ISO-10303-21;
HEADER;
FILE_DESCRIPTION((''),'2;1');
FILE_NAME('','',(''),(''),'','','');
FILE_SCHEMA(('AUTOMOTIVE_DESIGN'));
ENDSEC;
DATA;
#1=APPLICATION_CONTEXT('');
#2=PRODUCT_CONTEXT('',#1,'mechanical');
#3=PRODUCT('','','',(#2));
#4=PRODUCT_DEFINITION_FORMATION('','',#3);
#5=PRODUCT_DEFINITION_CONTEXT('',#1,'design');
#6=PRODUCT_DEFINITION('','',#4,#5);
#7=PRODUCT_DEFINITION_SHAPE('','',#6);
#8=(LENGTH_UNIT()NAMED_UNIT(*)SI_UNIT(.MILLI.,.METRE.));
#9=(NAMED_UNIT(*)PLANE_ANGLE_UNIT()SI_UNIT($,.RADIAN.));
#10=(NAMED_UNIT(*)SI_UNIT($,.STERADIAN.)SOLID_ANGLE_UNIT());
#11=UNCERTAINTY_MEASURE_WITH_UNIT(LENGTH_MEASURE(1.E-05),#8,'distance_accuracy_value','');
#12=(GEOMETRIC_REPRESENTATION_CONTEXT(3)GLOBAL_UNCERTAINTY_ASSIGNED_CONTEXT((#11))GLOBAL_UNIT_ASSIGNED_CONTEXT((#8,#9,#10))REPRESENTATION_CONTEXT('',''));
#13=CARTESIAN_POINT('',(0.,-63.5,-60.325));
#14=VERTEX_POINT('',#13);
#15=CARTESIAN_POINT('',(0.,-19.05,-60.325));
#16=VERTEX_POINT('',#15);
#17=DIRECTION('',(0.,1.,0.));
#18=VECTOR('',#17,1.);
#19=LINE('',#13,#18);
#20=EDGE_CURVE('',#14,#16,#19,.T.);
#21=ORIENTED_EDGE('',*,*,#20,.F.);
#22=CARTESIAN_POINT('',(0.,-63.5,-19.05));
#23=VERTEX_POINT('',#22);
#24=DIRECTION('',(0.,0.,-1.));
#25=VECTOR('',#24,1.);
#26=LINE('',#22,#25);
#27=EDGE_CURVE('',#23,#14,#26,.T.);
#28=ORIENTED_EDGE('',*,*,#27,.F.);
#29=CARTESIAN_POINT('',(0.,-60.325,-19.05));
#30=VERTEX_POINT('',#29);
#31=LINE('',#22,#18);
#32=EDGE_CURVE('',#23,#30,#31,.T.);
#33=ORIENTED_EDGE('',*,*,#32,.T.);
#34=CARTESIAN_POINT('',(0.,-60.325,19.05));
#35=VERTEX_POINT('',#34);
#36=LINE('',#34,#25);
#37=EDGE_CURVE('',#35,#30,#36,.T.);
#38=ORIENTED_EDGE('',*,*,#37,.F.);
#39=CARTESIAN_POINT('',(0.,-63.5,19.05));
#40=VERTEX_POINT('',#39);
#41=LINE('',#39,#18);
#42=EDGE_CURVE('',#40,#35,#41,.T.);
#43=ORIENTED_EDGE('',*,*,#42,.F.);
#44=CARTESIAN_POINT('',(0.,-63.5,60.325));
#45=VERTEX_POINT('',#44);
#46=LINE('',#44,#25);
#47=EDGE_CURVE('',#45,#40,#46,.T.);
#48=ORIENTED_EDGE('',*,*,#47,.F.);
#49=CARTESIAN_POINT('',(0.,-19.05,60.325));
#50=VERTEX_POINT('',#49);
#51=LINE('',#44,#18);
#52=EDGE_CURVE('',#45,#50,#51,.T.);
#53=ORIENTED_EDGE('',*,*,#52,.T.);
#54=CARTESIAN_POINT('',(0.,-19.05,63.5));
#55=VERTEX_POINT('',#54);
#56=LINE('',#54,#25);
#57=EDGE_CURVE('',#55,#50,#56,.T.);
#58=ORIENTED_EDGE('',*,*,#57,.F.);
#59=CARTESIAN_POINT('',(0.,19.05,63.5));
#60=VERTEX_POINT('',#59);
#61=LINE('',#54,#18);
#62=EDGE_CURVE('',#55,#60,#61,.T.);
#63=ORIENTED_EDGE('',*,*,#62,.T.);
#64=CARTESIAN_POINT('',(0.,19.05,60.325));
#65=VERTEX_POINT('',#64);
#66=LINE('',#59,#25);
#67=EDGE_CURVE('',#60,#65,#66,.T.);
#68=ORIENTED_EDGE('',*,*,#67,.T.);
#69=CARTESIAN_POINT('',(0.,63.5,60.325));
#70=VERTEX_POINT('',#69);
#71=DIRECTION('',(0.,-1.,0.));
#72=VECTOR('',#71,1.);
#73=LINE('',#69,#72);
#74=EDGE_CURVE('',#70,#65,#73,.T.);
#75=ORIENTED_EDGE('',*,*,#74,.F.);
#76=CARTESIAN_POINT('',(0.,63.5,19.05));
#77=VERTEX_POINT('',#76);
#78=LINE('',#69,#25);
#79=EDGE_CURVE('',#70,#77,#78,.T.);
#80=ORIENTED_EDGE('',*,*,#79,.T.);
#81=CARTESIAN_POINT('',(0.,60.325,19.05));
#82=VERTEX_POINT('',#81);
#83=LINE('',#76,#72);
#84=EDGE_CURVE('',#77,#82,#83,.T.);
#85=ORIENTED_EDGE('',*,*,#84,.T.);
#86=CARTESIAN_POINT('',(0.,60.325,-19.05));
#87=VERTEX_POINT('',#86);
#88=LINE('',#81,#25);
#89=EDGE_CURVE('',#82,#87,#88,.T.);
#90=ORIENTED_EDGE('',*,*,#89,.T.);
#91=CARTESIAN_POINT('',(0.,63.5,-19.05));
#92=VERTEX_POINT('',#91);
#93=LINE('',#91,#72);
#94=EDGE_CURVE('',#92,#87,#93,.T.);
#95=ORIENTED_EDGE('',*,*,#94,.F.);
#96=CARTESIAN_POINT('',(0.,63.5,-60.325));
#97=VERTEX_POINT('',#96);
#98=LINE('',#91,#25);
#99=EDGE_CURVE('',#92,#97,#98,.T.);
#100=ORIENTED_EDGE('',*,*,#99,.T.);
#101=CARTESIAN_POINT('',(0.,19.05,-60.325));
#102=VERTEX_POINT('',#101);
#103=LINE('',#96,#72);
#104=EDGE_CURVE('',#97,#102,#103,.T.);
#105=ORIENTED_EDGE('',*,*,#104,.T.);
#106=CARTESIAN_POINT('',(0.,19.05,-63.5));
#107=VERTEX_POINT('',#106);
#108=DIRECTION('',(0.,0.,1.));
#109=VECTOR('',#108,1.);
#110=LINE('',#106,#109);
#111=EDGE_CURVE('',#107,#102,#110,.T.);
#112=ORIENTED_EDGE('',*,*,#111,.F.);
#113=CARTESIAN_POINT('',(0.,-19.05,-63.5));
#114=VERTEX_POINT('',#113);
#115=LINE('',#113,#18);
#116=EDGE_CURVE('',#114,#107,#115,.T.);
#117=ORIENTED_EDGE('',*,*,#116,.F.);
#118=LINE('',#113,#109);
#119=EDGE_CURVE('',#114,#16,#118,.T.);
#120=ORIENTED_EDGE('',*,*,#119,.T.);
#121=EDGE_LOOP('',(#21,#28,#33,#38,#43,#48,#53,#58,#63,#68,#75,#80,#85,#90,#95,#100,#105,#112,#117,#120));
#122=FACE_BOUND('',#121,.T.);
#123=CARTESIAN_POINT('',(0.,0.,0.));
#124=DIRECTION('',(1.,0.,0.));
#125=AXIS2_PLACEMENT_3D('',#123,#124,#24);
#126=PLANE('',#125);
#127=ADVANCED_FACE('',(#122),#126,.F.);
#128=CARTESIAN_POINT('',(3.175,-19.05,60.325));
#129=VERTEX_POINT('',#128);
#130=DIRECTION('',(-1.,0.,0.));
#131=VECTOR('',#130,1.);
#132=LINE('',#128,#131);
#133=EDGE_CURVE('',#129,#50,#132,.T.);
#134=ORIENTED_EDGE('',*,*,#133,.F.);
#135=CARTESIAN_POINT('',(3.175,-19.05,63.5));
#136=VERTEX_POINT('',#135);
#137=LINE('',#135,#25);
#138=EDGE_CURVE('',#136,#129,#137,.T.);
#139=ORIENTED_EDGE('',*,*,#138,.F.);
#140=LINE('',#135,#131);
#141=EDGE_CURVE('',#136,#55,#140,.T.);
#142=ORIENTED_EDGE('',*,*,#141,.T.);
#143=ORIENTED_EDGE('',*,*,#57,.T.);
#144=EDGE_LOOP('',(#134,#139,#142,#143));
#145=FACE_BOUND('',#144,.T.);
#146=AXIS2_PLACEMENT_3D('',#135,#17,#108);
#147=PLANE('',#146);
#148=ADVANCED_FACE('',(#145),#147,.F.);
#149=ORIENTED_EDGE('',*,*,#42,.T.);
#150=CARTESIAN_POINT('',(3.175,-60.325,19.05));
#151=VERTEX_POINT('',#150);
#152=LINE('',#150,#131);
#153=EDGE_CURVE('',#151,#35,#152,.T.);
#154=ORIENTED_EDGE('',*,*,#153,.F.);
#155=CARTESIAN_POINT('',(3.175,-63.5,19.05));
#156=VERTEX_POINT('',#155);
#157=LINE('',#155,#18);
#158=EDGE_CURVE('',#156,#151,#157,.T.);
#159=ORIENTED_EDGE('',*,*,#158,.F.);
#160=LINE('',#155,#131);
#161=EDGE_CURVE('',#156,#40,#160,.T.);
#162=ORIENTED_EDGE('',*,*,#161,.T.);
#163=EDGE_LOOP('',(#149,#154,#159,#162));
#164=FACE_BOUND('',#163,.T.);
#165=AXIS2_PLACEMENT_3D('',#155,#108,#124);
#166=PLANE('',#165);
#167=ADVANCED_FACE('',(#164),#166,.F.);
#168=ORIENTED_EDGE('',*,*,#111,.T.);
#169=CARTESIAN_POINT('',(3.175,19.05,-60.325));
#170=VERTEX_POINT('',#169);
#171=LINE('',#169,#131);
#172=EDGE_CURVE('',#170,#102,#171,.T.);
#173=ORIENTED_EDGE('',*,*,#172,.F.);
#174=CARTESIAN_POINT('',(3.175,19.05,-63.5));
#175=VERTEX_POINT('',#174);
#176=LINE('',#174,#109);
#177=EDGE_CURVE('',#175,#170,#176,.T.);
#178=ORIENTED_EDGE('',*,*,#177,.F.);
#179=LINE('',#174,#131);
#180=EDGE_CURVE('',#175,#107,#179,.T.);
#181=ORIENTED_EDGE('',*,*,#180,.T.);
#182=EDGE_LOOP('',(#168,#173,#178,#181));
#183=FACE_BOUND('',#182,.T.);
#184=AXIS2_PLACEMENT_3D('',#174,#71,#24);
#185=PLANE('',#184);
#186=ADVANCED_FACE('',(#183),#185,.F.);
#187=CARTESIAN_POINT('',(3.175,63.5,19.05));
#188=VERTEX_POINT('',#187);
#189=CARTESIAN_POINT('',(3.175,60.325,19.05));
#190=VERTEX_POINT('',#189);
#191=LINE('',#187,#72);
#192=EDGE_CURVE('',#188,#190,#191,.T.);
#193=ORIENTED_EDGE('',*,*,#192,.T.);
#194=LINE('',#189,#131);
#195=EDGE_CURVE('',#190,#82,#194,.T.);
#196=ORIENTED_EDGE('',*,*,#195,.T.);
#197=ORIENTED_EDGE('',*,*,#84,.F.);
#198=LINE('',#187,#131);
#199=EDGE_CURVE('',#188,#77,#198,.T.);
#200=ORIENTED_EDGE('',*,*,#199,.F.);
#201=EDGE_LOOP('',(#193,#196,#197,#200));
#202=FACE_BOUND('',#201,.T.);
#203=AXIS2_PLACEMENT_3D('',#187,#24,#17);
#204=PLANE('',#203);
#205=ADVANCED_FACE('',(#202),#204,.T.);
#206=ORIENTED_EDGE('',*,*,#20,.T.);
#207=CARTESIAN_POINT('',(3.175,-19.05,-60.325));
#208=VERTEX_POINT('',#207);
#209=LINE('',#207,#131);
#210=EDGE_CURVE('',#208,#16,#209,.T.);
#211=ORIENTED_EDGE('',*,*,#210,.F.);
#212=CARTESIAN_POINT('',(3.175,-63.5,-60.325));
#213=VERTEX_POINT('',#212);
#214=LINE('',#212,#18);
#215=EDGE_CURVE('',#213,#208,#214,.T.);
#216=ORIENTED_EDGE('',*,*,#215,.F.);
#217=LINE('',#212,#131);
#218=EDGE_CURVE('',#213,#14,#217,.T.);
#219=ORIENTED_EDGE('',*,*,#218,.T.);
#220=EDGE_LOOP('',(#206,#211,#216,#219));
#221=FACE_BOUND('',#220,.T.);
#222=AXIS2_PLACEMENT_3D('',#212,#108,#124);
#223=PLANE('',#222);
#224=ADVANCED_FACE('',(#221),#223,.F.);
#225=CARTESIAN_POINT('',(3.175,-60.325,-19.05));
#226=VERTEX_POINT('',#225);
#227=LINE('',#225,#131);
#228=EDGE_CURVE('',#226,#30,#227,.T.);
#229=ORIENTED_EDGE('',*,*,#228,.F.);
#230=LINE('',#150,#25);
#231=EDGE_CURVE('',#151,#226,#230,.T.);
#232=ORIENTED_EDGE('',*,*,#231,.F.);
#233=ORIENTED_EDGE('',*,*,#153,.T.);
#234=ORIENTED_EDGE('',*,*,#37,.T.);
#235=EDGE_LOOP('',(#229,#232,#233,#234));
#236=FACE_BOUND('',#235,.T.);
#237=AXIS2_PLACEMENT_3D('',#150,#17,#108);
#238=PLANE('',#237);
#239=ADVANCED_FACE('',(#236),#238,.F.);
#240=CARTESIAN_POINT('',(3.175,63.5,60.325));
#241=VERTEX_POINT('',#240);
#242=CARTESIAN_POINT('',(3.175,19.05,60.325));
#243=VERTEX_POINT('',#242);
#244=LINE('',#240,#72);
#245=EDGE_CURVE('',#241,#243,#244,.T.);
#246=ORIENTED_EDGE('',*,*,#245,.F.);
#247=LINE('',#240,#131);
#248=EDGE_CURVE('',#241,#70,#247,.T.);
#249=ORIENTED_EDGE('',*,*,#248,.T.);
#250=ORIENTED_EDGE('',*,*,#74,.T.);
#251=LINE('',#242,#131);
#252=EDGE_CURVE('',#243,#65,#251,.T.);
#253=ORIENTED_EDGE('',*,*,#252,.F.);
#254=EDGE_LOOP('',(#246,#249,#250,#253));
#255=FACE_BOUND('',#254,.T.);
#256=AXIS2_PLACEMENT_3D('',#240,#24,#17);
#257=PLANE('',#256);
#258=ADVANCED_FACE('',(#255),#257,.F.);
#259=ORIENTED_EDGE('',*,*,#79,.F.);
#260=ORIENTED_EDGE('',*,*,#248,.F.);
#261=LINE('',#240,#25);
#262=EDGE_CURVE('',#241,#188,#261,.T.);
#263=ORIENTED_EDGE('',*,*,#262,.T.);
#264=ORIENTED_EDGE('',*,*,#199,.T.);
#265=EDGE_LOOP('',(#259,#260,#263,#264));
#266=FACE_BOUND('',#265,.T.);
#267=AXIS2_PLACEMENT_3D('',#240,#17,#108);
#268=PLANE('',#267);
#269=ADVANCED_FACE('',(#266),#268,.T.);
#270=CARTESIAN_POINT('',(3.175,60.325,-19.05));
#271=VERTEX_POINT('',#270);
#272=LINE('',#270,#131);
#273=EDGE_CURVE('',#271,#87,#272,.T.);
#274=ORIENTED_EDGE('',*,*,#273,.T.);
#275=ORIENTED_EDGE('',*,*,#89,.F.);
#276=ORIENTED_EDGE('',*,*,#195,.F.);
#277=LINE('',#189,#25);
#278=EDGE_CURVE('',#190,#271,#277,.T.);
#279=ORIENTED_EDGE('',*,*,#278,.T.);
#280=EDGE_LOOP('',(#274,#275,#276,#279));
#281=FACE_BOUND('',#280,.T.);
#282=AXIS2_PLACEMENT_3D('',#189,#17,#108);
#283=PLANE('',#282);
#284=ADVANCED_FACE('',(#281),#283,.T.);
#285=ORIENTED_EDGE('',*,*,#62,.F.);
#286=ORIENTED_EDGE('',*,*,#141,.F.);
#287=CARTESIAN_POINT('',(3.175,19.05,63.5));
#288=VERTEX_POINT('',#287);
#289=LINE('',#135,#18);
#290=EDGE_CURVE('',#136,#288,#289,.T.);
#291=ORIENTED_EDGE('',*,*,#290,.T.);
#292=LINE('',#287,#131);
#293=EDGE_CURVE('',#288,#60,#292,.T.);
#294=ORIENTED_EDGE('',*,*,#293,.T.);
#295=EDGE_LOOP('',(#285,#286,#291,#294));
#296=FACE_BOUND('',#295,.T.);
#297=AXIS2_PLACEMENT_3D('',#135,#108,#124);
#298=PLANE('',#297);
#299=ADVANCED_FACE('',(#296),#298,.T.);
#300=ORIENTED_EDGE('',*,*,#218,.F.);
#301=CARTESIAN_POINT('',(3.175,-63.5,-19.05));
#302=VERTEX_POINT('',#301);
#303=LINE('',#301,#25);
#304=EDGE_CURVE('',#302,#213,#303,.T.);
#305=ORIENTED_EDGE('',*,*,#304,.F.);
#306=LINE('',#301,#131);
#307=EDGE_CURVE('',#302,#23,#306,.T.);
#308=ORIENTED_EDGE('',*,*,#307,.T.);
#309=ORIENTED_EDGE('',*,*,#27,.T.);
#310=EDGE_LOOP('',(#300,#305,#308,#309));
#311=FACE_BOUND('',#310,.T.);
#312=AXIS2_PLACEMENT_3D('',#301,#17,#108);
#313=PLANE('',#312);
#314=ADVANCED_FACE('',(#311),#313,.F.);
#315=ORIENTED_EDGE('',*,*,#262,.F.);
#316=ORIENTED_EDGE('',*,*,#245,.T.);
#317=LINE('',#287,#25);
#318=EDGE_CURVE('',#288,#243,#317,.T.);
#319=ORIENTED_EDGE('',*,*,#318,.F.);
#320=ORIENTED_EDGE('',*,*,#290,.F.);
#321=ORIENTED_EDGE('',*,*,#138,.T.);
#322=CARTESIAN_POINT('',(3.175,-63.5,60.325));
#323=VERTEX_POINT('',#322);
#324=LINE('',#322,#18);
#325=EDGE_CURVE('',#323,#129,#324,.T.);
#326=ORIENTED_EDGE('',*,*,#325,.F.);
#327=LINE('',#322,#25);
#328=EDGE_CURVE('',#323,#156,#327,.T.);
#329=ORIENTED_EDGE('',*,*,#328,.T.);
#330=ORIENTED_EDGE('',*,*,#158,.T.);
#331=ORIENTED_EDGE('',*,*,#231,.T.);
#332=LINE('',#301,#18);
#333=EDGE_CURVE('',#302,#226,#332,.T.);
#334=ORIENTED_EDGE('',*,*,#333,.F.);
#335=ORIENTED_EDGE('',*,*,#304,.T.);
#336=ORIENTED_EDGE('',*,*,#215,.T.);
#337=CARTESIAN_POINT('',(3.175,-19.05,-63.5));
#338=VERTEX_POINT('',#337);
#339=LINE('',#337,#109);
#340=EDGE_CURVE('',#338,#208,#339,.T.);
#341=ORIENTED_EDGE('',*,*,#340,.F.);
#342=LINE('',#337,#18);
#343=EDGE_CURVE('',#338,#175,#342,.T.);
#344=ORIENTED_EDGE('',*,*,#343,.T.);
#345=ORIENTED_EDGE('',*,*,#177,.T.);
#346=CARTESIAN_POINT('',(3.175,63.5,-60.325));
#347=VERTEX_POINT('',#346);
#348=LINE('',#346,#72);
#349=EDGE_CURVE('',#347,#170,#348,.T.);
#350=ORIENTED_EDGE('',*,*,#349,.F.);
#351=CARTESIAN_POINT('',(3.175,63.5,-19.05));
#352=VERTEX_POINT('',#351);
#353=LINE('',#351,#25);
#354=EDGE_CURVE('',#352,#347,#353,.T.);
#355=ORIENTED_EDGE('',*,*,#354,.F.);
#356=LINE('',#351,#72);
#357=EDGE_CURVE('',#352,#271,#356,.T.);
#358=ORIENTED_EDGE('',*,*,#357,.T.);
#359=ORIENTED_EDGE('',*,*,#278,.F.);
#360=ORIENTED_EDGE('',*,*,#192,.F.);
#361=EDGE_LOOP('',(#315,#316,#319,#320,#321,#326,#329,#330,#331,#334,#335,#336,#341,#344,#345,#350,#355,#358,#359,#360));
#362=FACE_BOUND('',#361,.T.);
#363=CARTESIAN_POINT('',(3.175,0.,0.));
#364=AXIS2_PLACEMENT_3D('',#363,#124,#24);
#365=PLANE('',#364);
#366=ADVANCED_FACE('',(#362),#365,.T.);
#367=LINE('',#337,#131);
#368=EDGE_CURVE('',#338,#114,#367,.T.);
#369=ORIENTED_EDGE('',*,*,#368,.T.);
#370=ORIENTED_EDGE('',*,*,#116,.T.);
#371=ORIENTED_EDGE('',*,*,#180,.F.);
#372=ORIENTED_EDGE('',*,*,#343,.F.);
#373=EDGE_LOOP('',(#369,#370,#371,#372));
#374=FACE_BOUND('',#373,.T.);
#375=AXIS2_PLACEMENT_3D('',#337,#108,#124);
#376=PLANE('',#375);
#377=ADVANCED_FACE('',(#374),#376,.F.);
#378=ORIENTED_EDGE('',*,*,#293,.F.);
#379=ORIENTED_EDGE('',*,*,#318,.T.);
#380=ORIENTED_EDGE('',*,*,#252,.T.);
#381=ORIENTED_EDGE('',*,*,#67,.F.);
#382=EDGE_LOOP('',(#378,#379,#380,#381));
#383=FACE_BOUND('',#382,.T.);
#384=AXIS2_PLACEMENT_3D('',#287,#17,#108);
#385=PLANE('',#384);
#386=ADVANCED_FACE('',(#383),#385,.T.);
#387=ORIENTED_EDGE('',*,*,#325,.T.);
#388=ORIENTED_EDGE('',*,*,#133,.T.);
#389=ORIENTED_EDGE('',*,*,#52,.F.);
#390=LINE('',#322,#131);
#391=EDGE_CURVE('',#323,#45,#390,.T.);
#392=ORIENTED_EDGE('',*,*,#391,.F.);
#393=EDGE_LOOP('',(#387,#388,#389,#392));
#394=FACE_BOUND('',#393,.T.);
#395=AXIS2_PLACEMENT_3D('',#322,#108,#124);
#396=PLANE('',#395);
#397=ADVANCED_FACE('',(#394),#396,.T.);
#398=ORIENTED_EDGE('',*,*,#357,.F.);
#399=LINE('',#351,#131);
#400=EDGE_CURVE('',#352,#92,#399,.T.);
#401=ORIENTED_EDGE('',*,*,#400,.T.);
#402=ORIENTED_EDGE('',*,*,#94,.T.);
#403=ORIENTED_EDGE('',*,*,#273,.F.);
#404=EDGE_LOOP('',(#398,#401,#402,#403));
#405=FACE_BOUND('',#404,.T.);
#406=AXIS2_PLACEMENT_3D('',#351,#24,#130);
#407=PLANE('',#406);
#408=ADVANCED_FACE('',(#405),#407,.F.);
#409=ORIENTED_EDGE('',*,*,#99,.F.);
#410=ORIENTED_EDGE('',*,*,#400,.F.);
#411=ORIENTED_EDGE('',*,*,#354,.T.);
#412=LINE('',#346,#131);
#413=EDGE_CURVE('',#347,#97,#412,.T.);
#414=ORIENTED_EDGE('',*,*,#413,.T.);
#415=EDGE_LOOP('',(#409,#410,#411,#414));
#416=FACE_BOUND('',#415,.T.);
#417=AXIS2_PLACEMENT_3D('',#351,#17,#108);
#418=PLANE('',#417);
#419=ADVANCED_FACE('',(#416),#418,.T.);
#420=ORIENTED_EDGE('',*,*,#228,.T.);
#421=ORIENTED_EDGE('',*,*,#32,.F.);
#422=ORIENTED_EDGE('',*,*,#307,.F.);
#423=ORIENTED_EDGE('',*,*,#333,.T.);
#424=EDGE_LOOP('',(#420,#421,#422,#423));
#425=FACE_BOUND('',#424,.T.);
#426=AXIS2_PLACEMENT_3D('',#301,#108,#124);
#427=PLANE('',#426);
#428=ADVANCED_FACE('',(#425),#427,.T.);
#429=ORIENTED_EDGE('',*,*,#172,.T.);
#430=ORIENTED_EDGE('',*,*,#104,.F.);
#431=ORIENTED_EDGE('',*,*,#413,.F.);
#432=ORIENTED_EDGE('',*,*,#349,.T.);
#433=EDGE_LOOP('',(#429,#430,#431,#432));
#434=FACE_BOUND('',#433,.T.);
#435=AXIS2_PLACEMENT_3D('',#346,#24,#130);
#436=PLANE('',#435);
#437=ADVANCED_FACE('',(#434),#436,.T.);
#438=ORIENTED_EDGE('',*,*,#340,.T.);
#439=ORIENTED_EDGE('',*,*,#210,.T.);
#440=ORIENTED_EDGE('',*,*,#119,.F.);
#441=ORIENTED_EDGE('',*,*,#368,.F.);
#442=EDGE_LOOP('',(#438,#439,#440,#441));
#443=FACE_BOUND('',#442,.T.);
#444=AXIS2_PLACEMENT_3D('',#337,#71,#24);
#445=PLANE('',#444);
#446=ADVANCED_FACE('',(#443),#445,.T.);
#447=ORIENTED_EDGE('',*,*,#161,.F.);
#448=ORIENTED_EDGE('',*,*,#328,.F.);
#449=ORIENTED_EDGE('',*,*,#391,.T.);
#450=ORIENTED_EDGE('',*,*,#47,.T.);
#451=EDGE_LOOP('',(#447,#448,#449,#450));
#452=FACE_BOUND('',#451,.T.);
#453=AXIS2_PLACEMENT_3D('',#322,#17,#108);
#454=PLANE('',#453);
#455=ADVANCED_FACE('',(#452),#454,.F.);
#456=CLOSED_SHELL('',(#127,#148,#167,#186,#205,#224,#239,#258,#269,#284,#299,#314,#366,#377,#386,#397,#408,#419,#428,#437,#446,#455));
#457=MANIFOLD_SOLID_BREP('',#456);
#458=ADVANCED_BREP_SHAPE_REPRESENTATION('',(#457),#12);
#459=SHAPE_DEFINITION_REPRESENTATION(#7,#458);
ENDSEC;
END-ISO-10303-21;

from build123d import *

# Parameters (mm, degrees)
BOSS_EXTRUDE1_DEPTH = 3.175


with BuildPart() as part:
    # Sketch1 → Boss-Extrude1 (new body)
    with BuildSketch(Plane(origin=(0, 0, 0), x_dir=(0, 0, -1), z_dir=(1, 0, 0))):
        Polygon((19.05, 63.5), (60.325, 63.5), (60.325, 19.05), (63.5, 19.05), (63.5, -19.05), (60.325, -19.05), (60.325, -63.5), (19.05, -63.5), (19.05, -60.325), (-19.05, -60.325), (-19.05, -63.5), (-60.325, -63.5), (-60.325, -19.05), (-63.5, -19.05), (-63.5, 19.05), (-60.325, 19.05), (-60.325, 63.5), (-19.05, 63.5), (-19.05, 60.325), (19.05, 60.325), align=None)
    extrude(amount=BOSS_EXTRUDE1_DEPTH)


solid = part.part
